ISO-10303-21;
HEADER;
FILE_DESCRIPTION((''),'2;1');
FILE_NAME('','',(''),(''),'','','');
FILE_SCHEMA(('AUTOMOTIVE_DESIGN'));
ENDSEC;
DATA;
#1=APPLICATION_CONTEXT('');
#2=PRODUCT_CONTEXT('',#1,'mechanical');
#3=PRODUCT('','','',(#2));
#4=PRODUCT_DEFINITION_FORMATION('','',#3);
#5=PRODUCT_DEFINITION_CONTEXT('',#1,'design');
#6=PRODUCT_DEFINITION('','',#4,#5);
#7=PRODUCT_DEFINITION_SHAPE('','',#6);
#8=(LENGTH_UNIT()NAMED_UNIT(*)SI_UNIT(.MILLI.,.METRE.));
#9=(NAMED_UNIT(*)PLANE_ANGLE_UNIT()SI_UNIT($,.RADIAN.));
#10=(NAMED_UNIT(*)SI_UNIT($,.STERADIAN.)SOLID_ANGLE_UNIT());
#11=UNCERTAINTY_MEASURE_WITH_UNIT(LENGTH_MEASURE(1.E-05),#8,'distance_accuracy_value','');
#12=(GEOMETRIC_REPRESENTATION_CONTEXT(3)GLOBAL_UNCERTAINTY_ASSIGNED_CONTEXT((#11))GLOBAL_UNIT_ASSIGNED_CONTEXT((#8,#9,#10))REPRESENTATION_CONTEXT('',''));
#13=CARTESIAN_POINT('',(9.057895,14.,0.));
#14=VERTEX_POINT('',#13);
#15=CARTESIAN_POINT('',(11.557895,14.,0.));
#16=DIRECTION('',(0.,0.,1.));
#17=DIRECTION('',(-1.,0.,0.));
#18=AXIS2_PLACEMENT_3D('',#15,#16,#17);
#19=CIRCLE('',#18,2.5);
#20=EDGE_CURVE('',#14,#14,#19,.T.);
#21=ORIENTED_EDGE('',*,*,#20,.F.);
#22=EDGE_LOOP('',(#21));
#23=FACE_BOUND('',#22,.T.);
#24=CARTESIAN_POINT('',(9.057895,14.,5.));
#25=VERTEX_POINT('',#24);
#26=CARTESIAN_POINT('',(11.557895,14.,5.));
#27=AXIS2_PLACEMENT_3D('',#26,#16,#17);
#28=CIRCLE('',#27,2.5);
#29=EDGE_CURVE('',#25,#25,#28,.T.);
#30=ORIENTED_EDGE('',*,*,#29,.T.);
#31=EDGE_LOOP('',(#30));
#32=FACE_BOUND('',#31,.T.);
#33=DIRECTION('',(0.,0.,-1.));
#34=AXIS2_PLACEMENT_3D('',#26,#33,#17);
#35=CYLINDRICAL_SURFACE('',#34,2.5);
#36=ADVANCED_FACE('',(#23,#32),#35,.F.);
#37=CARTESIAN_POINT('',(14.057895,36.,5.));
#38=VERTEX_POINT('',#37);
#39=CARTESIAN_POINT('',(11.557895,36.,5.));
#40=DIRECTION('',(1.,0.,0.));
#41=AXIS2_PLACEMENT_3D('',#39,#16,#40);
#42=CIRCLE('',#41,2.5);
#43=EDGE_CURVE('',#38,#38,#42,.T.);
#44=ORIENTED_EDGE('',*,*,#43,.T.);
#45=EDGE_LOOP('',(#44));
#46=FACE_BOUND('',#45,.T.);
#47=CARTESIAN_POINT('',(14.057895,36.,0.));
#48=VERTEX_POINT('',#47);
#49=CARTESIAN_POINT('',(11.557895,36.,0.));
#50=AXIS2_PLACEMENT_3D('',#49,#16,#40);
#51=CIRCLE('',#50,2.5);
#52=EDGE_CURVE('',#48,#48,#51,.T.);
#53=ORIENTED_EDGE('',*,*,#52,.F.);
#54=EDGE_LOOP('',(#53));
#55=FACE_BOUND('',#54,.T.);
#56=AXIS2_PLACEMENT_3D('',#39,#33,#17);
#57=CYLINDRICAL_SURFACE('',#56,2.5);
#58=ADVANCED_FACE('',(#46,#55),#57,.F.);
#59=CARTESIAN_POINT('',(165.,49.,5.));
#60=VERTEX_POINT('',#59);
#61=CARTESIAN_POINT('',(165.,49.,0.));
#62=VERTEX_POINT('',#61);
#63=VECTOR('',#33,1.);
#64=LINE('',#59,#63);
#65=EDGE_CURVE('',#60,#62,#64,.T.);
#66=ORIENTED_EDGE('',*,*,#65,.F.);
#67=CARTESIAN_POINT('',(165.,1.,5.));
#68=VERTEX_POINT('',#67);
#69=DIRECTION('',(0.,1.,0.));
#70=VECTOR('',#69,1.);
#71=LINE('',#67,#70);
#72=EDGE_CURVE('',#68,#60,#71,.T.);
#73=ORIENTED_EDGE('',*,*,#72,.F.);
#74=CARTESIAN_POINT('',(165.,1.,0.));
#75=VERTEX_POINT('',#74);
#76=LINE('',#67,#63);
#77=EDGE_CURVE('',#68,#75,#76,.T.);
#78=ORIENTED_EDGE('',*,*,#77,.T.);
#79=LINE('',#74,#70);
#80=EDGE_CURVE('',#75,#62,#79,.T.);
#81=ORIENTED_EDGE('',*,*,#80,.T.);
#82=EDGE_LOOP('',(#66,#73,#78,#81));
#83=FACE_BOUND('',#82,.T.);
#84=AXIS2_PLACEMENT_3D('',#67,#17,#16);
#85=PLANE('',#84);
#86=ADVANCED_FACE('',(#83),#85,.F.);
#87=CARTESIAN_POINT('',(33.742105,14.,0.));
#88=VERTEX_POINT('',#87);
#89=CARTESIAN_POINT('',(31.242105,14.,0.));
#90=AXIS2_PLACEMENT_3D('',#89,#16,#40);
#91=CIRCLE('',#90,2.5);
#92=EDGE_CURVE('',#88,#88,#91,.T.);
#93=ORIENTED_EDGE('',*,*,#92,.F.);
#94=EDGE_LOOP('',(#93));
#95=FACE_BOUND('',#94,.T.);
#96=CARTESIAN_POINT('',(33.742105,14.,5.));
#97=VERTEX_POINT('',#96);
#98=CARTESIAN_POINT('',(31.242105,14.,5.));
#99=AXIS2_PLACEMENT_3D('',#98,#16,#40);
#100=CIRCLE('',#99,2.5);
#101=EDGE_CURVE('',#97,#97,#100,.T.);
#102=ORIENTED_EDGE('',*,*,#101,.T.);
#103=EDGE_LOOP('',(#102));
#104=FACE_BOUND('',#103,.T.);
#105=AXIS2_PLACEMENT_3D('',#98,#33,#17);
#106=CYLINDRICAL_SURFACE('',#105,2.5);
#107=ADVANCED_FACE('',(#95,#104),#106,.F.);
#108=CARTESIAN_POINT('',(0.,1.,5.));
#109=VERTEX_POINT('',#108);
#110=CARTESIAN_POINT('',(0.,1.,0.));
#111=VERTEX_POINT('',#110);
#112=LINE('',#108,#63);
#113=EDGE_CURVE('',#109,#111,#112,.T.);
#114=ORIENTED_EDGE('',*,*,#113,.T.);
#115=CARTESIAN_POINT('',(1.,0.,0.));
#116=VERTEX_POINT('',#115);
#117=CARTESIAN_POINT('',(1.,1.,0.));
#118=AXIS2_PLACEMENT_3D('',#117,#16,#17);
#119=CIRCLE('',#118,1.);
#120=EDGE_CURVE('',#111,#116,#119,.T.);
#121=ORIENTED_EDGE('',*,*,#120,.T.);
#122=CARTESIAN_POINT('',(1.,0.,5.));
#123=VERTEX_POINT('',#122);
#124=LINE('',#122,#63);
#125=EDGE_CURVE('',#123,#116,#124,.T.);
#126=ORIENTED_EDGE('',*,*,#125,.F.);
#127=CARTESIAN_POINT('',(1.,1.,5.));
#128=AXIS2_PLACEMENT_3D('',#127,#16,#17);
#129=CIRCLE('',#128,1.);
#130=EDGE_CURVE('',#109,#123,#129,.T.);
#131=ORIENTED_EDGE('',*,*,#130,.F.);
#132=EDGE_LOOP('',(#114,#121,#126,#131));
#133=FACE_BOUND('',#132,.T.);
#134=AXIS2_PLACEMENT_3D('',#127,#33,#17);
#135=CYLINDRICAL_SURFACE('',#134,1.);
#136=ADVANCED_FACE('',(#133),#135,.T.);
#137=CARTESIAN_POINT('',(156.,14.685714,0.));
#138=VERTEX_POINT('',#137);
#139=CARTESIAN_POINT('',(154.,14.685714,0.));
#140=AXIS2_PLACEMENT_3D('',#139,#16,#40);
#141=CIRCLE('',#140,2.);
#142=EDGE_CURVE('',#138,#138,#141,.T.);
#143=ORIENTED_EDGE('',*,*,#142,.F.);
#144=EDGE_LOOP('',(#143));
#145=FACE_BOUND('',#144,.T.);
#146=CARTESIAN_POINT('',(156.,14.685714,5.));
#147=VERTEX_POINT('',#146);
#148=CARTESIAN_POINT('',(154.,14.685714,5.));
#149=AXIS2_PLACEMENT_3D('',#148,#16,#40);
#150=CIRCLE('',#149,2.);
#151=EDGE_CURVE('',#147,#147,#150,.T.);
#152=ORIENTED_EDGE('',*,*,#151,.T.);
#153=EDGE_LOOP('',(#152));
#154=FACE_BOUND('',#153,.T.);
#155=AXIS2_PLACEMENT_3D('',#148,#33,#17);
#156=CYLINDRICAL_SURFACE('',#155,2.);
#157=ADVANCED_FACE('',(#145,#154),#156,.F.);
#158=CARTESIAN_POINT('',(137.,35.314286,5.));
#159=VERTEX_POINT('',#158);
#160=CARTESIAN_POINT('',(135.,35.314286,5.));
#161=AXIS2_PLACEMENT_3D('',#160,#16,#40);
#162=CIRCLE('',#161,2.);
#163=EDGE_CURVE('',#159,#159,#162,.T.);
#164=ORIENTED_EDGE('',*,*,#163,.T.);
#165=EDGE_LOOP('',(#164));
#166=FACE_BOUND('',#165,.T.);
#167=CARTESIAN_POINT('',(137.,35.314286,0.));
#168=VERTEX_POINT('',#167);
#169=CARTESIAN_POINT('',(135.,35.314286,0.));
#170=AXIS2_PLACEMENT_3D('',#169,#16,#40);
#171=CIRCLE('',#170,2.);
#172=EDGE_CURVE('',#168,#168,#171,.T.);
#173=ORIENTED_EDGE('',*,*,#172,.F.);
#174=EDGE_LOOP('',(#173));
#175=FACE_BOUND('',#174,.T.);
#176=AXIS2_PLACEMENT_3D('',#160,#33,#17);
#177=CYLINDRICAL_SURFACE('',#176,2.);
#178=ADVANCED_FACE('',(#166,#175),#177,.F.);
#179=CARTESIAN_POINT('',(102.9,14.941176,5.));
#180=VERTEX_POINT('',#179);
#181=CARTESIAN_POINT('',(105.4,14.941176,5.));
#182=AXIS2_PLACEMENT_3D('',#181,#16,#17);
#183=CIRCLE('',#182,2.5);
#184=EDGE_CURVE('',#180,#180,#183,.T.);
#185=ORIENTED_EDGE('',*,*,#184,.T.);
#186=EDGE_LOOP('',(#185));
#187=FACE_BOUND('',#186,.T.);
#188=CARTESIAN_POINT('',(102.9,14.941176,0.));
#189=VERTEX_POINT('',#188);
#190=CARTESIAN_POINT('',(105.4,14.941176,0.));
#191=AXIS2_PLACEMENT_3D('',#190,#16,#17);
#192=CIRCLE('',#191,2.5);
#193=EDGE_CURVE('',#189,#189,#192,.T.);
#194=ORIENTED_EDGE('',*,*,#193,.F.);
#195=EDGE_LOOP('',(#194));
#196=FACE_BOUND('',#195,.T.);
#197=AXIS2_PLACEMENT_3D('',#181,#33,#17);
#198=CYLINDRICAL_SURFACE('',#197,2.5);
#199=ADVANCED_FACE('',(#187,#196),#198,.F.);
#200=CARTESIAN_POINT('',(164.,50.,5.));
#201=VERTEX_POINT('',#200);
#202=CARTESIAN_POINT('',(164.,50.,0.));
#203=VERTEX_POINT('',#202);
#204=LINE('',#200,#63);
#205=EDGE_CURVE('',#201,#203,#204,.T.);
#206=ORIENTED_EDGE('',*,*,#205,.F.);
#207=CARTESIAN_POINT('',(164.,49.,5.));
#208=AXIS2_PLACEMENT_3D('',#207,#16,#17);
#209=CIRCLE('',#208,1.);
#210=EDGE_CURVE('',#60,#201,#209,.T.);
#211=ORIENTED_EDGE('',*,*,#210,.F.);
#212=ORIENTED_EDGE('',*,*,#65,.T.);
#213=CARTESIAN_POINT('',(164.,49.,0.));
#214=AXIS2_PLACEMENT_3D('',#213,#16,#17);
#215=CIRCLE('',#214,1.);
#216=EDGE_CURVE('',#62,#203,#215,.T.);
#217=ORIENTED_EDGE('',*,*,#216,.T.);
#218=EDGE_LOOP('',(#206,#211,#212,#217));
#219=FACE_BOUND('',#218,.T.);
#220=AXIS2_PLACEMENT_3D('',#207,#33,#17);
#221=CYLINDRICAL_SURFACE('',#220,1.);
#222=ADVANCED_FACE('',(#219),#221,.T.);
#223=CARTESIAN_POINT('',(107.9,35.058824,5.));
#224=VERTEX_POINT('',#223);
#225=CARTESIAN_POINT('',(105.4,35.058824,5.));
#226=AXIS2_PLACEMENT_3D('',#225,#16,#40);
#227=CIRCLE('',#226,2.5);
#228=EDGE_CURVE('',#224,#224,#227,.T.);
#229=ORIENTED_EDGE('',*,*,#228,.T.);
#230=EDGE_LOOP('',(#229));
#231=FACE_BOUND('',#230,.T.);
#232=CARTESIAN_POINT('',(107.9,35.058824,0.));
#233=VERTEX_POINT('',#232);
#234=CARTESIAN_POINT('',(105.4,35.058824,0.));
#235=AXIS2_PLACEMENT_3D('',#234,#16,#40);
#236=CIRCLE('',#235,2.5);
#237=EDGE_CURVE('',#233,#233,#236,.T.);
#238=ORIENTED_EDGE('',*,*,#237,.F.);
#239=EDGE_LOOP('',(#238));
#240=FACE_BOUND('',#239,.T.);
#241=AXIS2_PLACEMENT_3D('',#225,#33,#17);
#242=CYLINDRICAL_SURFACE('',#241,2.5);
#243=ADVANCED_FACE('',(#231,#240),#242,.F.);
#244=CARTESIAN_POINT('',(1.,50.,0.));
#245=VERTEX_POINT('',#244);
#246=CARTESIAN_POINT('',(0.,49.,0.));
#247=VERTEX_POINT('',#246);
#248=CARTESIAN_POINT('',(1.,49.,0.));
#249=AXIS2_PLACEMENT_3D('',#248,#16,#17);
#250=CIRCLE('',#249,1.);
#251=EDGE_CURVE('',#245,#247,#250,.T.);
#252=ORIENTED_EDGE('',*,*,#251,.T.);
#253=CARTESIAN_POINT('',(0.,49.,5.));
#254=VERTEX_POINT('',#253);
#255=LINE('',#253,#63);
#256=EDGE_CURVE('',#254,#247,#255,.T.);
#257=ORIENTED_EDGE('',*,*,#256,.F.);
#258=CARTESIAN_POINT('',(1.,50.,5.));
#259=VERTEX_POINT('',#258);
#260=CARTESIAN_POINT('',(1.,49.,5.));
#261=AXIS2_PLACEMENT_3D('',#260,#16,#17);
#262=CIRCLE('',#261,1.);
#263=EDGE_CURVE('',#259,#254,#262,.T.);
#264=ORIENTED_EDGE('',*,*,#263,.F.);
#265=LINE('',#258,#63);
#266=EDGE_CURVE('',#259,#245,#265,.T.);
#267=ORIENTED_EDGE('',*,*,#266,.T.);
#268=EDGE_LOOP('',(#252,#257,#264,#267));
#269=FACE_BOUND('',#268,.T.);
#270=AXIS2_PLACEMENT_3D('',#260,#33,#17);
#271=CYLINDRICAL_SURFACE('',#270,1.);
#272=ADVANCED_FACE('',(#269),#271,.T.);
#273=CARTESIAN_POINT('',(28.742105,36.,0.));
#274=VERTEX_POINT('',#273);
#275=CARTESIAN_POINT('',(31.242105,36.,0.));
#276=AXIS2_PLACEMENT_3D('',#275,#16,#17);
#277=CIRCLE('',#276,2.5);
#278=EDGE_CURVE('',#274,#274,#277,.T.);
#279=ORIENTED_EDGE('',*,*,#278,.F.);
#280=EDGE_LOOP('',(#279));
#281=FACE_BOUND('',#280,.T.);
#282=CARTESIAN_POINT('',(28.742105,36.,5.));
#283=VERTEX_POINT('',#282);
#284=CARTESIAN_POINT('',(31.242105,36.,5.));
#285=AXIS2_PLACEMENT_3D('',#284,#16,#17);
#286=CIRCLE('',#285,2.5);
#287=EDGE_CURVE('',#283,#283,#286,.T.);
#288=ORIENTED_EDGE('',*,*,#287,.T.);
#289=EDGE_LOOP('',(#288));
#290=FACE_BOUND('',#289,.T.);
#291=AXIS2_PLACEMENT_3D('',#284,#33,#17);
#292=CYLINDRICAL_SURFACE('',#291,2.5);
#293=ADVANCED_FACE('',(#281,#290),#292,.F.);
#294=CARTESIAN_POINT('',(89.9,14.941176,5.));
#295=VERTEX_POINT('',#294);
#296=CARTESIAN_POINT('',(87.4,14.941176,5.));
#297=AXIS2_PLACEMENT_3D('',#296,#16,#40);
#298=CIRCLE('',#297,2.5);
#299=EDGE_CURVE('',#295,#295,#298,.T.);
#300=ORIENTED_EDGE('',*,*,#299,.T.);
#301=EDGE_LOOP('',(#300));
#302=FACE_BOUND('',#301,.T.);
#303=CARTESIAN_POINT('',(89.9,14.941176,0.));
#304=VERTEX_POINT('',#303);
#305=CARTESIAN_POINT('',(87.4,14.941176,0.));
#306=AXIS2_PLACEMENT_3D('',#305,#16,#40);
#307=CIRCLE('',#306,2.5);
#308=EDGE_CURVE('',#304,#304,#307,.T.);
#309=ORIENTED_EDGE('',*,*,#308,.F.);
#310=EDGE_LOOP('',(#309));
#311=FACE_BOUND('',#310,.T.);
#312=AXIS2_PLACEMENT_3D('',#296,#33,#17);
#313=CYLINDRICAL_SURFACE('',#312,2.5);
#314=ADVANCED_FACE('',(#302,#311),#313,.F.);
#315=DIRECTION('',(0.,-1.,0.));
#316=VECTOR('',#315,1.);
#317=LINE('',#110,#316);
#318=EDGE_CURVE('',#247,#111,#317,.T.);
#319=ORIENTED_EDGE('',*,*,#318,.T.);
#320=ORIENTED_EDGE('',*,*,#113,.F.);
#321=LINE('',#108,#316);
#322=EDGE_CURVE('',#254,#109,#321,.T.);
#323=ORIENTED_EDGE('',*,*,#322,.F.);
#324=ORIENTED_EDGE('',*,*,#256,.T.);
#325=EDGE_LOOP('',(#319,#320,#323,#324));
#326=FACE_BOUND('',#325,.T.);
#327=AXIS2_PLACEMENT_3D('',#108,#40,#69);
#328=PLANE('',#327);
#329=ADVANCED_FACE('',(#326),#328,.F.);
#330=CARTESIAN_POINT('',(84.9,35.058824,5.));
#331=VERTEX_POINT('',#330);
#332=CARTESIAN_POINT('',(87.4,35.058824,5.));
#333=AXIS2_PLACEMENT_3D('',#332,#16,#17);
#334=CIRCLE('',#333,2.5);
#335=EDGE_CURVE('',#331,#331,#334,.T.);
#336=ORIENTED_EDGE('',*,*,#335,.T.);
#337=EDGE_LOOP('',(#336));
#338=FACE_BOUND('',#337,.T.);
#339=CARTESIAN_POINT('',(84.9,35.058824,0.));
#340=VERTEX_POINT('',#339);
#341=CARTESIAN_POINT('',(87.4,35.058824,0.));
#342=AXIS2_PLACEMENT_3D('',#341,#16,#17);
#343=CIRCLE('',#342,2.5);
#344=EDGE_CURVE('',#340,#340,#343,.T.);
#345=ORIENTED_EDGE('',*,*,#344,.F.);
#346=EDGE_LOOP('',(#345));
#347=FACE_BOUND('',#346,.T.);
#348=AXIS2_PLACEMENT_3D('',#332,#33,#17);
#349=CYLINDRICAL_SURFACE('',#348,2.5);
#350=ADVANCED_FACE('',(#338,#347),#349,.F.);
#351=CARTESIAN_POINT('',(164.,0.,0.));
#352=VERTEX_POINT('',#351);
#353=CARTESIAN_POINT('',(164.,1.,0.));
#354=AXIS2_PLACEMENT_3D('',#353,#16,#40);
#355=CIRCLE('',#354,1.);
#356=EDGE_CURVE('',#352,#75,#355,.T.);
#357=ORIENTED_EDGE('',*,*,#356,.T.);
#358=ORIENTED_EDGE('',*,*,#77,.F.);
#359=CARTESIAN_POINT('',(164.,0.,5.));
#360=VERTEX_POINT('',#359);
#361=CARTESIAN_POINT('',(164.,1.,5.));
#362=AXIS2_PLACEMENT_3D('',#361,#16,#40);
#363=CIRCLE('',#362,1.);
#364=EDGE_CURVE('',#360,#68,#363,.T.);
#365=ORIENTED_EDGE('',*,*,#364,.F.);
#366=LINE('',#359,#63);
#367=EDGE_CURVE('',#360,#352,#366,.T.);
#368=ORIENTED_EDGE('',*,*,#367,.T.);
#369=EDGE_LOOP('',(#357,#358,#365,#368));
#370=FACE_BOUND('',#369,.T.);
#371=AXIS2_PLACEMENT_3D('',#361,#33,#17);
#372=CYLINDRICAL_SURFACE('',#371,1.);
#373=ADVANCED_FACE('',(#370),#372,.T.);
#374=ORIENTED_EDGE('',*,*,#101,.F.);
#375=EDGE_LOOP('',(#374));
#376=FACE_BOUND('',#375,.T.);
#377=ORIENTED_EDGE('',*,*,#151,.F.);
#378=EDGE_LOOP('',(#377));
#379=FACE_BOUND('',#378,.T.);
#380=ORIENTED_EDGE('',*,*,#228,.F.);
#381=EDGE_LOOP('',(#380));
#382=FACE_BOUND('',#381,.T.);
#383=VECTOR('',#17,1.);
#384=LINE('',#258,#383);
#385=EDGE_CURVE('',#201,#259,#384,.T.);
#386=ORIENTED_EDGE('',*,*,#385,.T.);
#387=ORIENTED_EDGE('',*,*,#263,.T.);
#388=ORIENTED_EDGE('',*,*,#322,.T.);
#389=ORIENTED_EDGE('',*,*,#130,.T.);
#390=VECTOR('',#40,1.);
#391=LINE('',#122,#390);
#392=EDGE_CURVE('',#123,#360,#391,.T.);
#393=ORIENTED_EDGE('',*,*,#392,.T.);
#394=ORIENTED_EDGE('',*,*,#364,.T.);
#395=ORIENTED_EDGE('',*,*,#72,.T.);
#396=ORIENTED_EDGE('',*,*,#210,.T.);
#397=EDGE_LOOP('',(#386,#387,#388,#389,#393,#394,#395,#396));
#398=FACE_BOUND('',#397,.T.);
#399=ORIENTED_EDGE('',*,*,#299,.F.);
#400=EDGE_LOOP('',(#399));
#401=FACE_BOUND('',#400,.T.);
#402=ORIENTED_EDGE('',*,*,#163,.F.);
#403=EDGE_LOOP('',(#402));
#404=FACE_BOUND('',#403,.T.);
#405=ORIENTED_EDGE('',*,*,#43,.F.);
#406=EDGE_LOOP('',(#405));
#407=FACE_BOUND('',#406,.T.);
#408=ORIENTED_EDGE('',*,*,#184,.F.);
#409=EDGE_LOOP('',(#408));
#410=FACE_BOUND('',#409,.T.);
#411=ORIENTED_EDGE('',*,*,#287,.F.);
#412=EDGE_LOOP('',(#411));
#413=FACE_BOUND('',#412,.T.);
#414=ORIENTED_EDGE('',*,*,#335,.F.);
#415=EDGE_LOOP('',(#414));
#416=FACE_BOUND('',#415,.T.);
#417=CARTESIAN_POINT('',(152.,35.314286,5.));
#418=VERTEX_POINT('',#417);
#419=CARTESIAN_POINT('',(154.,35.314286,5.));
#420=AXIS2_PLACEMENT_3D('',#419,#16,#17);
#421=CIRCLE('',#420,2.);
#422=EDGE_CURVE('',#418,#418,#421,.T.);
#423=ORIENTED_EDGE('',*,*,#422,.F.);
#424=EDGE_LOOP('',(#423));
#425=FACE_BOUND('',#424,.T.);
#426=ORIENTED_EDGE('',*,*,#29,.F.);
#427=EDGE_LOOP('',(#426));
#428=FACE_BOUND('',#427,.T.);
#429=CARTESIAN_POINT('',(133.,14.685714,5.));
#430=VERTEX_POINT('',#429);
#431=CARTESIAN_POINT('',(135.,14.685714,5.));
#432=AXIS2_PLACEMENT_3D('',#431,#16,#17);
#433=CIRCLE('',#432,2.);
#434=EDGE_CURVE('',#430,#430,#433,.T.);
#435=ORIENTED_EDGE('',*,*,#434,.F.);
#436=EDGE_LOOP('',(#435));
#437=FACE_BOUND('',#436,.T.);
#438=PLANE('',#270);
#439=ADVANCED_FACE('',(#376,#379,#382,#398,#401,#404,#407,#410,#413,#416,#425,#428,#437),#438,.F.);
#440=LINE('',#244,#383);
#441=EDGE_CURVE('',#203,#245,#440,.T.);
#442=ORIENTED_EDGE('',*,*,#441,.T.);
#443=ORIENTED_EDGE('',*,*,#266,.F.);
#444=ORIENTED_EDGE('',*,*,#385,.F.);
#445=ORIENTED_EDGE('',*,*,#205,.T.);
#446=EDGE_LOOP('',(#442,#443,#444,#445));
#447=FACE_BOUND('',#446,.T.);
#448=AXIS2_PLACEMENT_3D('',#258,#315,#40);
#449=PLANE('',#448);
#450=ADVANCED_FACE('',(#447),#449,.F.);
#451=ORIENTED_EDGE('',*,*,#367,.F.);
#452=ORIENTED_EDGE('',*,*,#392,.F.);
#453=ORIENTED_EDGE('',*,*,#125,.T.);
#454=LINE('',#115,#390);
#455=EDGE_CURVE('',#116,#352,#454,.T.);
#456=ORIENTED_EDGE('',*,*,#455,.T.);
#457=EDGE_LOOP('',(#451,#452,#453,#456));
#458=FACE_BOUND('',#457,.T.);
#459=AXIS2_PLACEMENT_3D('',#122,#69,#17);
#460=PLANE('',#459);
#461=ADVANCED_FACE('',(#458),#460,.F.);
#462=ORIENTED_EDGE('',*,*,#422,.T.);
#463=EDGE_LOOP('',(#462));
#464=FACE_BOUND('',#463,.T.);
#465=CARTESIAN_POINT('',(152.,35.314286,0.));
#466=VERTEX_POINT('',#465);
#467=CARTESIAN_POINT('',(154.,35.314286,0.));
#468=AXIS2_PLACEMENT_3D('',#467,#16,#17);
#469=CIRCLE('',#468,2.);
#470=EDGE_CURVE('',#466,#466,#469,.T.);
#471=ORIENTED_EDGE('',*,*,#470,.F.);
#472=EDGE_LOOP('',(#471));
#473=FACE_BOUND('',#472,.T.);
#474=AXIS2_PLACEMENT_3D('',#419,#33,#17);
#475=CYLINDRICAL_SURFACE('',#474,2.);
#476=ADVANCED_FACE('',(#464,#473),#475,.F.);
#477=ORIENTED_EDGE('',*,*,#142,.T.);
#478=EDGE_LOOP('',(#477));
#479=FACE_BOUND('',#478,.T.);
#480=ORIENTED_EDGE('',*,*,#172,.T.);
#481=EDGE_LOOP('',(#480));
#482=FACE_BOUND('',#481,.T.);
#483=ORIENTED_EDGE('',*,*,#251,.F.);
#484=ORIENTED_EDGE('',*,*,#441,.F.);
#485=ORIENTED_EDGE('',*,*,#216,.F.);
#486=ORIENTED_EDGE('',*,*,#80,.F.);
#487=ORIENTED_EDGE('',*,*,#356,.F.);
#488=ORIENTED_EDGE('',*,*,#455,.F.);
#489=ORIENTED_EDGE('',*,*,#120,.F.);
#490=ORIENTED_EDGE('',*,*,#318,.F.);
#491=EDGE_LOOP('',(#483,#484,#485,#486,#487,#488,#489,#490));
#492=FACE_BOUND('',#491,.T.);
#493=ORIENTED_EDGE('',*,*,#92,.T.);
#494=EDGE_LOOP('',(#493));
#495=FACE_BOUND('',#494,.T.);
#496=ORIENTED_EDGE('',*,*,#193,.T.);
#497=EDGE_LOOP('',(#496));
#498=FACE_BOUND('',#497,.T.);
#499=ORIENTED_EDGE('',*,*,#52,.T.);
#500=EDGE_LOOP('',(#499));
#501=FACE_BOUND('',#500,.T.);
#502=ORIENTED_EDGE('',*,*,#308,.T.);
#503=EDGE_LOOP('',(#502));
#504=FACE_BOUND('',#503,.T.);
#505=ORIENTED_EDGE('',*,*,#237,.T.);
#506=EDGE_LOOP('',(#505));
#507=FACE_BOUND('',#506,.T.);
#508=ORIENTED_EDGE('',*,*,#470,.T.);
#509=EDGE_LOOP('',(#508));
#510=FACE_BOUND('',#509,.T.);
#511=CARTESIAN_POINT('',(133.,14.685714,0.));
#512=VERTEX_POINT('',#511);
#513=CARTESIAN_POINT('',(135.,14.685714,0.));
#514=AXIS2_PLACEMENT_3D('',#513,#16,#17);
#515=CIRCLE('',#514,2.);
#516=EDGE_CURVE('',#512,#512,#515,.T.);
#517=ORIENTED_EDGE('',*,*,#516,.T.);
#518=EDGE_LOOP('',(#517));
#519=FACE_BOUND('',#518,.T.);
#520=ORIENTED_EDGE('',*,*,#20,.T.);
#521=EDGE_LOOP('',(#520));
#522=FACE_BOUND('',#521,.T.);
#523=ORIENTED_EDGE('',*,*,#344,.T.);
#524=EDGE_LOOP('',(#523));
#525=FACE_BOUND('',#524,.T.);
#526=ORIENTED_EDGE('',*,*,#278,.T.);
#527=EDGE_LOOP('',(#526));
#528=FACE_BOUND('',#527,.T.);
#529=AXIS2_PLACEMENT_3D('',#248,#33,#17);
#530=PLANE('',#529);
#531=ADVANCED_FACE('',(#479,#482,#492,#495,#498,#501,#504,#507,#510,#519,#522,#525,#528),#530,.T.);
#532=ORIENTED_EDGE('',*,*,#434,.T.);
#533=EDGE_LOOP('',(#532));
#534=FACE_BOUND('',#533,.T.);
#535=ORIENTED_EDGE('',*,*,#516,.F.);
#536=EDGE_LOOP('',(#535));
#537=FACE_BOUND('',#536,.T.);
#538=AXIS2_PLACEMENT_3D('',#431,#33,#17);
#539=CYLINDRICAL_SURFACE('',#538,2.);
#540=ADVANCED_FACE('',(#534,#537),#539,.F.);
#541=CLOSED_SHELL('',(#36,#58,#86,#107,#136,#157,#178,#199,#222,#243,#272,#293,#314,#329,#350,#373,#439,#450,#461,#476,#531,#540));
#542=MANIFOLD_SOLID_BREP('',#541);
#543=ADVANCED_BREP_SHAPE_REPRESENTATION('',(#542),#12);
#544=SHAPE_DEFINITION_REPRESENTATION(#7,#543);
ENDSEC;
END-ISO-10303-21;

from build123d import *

# Parameters (mm, degrees)
SKETCH1_R           = 2
SKETCH1_R_2         = 2.5
BOSS_EXTRUDE1_DEPTH = 5


with BuildPart() as part:
    # Sketch1 → Boss-Extrude1 (new body)
    with BuildSketch(Plane.XY):
        with BuildLine():
            Line((1, 0), (164, 0))
            ThreePointArc((164, 0), (164.707106781, 0.292893219), (165, 1))
            Line((165, 1), (165, 49))
            ThreePointArc((165, 49), (164.707106781, 49.707106781), (164, 50))
            Line((164, 50), (1, 50))
            ThreePointArc((1, 50), (0.292893219, 49.707106781), (0, 49))
            Line((0, 49), (0, 1))
            ThreePointArc((0, 1), (0.292893219, 0.292893219), (1, 0))
        make_face()
        with Locations((135, 35.314285714)):
            Circle(SKETCH1_R, mode=Mode.SUBTRACT)
        with Locations((135, 14.685714286)):
            Circle(SKETCH1_R, mode=Mode.SUBTRACT)
        with Locations((154, 14.685714286)):
            Circle(SKETCH1_R, mode=Mode.SUBTRACT)
        with Locations((154, 35.314285714)):
            Circle(SKETCH1_R, mode=Mode.SUBTRACT)
        with Locations((105.4, 35.058823529)):
            Circle(SKETCH1_R_2, mode=Mode.SUBTRACT)
        with Locations((105.4, 14.941176471)):
            Circle(SKETCH1_R_2, mode=Mode.SUBTRACT)
        with Locations((87.4, 14.941176471)):
            Circle(SKETCH1_R_2, mode=Mode.SUBTRACT)
        with Locations((87.4, 35.058823529)):
            Circle(SKETCH1_R_2, mode=Mode.SUBTRACT)
        with Locations((11.557894737, 36)):
            Circle(SKETCH1_R_2, mode=Mode.SUBTRACT)
        with Locations((11.557894737, 14)):
            Circle(SKETCH1_R_2, mode=Mode.SUBTRACT)
        with Locations((31.242105263, 14)):
            Circle(SKETCH1_R_2, mode=Mode.SUBTRACT)
        with Locations((31.242105263, 36)):
            Circle(SKETCH1_R_2, mode=Mode.SUBTRACT)
    extrude(amount=BOSS_EXTRUDE1_DEPTH)


solid = part.part
